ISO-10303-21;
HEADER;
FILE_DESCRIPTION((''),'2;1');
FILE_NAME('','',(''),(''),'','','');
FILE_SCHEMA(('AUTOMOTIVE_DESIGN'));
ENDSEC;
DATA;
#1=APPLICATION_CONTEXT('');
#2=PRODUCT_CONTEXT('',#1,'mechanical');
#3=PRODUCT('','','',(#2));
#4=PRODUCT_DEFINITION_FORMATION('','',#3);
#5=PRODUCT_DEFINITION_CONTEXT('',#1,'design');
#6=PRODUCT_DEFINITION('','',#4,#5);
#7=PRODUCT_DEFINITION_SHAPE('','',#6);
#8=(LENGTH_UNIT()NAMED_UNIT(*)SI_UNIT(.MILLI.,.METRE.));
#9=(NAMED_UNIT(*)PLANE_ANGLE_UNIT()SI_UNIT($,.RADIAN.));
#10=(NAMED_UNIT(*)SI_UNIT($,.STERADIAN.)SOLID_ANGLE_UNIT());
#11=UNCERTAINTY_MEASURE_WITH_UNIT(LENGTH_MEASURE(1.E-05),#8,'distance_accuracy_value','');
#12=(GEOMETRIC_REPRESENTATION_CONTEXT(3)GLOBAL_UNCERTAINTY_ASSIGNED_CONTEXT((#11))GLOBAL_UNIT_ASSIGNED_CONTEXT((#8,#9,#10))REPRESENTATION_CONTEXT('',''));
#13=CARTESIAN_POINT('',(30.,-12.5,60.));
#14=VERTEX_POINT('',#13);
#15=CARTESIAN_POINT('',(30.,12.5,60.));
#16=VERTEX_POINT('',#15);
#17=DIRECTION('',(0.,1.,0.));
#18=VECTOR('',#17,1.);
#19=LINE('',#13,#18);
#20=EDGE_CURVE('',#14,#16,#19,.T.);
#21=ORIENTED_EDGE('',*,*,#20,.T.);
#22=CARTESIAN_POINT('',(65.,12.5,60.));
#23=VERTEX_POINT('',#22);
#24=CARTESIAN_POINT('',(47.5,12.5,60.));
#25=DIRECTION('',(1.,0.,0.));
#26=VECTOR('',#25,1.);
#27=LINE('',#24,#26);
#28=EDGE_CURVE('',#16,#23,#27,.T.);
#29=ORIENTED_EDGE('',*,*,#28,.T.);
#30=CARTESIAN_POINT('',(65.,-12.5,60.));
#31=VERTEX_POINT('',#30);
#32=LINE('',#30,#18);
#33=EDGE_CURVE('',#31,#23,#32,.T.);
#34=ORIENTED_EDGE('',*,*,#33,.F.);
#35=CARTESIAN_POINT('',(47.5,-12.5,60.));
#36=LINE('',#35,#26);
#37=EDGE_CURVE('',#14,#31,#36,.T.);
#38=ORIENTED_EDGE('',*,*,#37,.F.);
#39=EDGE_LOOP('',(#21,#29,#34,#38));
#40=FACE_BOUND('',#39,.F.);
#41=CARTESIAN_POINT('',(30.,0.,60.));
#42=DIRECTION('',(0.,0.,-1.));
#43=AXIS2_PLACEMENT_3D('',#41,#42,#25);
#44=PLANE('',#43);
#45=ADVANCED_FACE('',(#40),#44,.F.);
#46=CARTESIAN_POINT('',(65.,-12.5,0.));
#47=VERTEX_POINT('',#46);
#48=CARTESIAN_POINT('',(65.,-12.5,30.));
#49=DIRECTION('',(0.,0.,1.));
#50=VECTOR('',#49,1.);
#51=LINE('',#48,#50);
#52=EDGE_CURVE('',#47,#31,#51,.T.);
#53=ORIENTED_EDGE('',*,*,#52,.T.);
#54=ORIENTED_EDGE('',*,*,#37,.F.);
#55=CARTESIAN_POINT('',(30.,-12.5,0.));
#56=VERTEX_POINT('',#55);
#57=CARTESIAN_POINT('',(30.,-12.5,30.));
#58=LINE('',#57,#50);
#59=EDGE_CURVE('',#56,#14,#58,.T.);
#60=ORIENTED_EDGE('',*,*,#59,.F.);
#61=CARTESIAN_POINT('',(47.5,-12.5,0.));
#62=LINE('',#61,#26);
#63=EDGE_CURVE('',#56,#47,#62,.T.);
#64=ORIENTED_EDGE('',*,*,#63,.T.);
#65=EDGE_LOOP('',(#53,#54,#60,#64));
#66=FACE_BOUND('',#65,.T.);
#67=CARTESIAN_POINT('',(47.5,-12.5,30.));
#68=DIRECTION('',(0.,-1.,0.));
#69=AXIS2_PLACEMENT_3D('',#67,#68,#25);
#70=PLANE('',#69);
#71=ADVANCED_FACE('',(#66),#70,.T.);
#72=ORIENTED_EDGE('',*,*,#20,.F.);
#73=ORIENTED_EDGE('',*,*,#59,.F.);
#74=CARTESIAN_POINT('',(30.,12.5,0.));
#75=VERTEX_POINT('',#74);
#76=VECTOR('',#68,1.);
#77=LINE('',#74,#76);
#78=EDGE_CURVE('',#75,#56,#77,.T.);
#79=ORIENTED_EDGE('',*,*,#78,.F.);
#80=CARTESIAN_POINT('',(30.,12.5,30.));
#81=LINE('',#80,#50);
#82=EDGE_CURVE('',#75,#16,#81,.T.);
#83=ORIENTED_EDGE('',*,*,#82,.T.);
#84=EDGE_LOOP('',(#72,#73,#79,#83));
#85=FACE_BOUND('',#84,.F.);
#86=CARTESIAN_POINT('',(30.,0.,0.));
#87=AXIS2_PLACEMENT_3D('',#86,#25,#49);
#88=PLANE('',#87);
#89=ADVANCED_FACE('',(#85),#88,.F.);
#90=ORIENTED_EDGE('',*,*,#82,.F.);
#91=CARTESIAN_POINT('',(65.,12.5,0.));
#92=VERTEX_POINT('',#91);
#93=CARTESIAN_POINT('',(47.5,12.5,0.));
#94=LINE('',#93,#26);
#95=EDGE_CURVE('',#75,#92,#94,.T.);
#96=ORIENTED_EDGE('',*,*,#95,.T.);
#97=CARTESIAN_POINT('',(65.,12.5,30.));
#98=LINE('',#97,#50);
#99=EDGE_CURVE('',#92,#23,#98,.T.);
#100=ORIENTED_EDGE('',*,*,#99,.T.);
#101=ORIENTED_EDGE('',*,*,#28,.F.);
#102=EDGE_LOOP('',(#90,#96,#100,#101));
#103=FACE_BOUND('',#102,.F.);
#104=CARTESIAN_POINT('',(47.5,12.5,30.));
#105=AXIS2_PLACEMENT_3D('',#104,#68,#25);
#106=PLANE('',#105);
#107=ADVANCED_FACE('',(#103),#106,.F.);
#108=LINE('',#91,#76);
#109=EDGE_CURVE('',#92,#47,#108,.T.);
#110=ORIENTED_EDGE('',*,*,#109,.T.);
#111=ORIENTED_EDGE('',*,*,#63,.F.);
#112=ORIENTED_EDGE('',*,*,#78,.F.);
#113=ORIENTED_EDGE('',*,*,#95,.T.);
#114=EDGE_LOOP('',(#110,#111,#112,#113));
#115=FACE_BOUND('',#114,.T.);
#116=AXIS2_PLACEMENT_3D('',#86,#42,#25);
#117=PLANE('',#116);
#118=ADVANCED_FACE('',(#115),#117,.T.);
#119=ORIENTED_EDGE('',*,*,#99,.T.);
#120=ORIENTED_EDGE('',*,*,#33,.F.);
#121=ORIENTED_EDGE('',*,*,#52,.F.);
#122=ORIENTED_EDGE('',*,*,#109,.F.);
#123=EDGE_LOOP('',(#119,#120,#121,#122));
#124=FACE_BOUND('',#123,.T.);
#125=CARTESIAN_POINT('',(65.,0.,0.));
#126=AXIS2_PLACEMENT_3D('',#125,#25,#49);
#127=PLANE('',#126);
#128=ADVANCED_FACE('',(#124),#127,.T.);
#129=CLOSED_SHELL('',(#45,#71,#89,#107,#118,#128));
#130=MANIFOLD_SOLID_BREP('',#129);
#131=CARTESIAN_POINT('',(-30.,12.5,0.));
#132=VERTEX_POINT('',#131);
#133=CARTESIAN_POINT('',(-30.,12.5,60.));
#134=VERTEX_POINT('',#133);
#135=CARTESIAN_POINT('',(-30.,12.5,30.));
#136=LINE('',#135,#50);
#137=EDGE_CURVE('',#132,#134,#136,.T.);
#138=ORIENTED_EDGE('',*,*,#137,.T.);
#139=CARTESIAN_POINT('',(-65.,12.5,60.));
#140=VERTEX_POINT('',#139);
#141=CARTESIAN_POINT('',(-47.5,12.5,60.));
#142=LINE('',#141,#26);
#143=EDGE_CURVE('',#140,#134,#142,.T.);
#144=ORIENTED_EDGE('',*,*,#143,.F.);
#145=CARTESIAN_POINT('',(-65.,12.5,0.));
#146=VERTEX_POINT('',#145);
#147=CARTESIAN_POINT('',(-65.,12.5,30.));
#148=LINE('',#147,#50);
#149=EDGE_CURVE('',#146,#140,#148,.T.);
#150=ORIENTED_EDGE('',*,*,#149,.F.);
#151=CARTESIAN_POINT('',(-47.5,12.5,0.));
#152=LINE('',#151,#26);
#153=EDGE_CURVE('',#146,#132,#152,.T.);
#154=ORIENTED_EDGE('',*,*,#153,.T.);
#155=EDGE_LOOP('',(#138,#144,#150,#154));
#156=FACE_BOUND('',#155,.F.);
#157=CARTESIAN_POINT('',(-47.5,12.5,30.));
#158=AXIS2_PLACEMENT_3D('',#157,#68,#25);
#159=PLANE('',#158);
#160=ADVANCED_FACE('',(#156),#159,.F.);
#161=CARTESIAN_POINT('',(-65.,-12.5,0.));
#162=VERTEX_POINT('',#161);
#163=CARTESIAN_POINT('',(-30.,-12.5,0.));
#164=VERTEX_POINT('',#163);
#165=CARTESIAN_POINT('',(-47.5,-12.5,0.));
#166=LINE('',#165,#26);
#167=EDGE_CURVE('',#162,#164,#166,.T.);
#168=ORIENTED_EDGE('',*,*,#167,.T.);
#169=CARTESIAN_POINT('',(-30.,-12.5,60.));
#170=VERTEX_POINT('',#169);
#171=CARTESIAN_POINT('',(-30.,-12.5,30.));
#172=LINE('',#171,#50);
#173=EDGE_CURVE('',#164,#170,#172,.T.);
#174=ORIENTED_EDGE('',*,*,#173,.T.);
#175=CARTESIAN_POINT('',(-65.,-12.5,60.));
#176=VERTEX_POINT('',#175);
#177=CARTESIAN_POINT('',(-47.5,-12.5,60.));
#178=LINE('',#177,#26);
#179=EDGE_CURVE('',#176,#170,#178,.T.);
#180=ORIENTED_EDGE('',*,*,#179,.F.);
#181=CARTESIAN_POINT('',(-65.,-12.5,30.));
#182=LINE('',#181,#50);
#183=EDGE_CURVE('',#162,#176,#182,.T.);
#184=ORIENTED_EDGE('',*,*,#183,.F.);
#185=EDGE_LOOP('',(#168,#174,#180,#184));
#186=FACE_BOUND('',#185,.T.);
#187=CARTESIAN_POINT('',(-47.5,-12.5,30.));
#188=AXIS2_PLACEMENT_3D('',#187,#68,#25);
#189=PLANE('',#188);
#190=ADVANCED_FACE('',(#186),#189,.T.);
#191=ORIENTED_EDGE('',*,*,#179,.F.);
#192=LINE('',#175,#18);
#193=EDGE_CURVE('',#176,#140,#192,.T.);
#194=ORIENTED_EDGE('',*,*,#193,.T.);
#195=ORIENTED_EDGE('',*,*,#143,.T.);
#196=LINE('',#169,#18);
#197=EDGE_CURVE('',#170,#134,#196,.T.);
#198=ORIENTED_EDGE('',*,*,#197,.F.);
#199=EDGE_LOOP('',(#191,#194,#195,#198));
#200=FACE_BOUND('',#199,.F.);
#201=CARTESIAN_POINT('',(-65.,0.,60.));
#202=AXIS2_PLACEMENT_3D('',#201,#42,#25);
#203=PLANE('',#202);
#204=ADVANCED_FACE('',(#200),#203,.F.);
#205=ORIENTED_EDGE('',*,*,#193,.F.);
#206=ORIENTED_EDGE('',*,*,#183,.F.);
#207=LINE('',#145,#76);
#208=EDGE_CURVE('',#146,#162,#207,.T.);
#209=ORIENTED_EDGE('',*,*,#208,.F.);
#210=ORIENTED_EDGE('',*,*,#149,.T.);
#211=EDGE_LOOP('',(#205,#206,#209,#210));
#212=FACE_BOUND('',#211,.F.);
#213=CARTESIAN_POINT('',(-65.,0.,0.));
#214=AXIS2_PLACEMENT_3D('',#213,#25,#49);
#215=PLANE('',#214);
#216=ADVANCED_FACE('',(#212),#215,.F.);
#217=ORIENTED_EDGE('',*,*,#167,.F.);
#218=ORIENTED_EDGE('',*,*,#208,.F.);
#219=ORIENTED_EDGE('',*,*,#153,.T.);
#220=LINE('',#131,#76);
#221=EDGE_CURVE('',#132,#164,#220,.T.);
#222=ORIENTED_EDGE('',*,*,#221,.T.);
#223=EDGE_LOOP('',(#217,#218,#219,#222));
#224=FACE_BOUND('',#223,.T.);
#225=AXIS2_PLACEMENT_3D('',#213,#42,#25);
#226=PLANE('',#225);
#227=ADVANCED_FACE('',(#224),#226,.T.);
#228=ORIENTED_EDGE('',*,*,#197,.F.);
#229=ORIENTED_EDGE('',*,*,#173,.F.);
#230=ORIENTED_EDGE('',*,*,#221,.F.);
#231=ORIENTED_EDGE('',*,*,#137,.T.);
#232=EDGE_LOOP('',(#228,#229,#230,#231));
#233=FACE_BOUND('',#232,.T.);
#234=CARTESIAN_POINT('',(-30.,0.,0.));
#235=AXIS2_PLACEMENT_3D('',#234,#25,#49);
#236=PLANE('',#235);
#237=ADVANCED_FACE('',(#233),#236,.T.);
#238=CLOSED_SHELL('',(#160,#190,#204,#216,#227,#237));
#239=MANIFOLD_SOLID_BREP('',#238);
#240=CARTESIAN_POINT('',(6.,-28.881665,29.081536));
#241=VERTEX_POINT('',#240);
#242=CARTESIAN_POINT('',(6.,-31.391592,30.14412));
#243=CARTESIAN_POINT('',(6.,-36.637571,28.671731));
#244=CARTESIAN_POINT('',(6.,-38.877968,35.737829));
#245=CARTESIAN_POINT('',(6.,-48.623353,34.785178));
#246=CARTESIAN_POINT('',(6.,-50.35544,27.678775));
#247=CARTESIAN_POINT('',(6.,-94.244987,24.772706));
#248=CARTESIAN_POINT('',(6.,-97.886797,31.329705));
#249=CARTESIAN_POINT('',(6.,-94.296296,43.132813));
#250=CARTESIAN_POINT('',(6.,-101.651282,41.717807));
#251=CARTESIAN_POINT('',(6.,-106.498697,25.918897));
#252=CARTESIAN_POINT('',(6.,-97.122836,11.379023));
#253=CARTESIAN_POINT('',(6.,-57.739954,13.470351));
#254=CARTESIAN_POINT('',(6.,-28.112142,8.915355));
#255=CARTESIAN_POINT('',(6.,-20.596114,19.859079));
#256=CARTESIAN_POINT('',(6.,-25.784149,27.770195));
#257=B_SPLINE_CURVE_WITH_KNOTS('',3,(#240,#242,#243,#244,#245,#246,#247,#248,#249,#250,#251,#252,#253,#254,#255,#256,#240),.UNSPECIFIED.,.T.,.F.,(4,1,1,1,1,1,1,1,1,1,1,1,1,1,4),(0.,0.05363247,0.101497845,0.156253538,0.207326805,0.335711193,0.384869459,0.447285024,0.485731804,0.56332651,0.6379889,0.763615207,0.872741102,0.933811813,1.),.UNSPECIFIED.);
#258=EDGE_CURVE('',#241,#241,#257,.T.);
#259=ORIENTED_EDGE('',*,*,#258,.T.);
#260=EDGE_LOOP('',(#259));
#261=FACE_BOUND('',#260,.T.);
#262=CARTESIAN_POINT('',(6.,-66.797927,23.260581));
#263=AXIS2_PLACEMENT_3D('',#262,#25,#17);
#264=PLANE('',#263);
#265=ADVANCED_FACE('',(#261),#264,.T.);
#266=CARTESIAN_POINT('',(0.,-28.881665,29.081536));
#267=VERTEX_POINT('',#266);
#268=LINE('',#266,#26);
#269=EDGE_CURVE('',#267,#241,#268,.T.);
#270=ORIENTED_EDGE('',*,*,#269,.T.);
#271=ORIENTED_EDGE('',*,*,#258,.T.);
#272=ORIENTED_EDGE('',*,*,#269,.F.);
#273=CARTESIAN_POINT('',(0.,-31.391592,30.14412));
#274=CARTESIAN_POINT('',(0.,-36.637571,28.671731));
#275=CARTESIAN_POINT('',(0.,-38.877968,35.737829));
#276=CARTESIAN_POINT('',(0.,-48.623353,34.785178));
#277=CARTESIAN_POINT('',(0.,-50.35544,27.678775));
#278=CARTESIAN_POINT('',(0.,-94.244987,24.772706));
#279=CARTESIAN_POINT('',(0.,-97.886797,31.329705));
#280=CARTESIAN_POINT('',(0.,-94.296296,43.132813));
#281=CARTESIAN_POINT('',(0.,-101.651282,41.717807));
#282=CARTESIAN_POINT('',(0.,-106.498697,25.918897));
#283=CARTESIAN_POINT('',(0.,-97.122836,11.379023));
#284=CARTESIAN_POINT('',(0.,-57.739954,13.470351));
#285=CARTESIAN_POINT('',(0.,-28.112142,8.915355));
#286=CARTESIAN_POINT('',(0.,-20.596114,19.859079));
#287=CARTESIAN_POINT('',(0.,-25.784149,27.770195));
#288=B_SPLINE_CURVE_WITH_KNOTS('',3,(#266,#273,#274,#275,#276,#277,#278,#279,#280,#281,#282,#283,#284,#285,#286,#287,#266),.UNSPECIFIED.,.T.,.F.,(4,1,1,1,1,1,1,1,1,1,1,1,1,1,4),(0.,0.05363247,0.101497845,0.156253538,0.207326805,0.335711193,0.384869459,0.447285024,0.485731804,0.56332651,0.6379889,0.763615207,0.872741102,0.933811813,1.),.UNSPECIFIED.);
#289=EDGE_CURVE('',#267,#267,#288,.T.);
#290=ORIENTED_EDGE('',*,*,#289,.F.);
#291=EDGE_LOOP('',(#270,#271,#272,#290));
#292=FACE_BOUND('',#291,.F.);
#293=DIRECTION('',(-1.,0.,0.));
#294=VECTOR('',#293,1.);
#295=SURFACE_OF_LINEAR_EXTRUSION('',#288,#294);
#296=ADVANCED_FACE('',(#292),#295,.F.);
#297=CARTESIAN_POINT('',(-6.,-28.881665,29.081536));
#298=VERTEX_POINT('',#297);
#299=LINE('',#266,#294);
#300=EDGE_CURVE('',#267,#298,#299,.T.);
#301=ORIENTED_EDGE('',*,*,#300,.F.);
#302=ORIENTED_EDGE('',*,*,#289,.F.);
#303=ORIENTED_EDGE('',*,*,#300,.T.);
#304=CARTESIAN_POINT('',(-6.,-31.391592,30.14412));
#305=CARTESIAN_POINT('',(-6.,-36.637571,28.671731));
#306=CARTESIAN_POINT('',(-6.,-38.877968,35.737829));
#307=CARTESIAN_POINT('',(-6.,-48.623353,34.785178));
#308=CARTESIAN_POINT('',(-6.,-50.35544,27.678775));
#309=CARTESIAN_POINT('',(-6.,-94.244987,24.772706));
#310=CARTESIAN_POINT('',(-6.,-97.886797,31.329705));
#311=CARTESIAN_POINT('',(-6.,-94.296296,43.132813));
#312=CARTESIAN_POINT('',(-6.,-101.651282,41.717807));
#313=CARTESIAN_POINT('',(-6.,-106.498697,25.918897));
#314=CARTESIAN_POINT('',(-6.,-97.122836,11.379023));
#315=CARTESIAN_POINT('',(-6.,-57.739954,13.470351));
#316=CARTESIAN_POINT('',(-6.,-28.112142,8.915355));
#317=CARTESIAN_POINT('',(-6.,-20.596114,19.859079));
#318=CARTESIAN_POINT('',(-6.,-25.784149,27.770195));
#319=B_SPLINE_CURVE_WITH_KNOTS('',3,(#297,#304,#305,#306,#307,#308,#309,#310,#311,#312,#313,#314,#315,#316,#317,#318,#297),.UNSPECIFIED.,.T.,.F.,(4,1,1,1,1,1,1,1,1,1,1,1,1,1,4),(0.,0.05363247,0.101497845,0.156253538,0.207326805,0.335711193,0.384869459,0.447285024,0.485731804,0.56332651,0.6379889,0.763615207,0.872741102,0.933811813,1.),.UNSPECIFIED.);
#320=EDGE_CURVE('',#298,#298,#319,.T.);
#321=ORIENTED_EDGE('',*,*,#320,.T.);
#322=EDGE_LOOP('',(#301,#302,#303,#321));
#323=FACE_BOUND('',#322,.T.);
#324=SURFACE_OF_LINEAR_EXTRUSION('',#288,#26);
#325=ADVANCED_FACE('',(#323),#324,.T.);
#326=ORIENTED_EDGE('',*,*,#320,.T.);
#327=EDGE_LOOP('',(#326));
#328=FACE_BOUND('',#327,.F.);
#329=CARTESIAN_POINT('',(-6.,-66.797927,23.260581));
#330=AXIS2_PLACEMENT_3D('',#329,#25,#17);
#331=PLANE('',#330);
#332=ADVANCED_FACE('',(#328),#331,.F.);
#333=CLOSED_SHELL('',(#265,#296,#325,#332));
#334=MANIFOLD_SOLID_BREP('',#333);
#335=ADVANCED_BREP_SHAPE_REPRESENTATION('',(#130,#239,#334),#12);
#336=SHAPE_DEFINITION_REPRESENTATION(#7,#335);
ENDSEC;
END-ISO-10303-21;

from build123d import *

# Parameters (mm, degrees)
F0_W     = 35
F0_H     = 60
F1_DEPTH = 12.5
F3_DEPTH = 6


with BuildPart() as f1:
    # F0 (on Front) → F1 (new body, symmetric)
    with BuildSketch(Plane.XZ):
        with Locations((-47.5, 30)):
            Rectangle(F0_W, F0_H)
    extrude(amount=F1_DEPTH, both=True)


with BuildPart() as f1b:
    # F0 (on Front) → F1, piece 2 (new body, symmetric)
    with BuildSketch(Plane.XZ):
        with Locations((47.5, 30)):
            Rectangle(F0_W, F0_H)
    extrude(amount=F1_DEPTH, both=True)


with BuildPart() as f3:
    # F2 (on Right) → F3 (new body, symmetric)
    with BuildSketch(Plane.YZ):
        with BuildLine():
            add(Edge.make_bspline(
                [(-28.8816653192, 29.0815364569), (-31.391591583, 30.1441198621), (-36.6375711742, 28.6717307181), (-38.8779677638, 35.7378293481), (-48.6233527516, 34.7851776173), (-50.3554397177, 27.6787749361), (-94.2449869028, 24.7727056739), (-97.8867966626, 31.3297053136), (-94.2962957604, 43.1328134293), (-101.6512819779, 41.7178074499), (-106.498697411, 25.9188972064), (-97.1228357177, 11.3790225069), (-57.739954324, 13.4703511425), (-28.1121419122, 8.9153546717), (-20.5961136334, 19.8590793719), (-25.7841486626, 27.7701952259), (-28.8816653192, 29.0815364569)],
                knots=[0, 0, 0, 0, 0.0536324703, 0.1014978451, 0.1562535378, 0.2073268053, 0.3357111928, 0.384869459, 0.4472850237, 0.4857318039, 0.5633265098, 0.6379888999, 0.7636152071, 0.872741102, 0.9338118125, 1, 1, 1, 1], degree=3))
        make_face()
    extrude(amount=F3_DEPTH, both=True)


solid = Compound([f1.part, f1b.part, f3.part])
